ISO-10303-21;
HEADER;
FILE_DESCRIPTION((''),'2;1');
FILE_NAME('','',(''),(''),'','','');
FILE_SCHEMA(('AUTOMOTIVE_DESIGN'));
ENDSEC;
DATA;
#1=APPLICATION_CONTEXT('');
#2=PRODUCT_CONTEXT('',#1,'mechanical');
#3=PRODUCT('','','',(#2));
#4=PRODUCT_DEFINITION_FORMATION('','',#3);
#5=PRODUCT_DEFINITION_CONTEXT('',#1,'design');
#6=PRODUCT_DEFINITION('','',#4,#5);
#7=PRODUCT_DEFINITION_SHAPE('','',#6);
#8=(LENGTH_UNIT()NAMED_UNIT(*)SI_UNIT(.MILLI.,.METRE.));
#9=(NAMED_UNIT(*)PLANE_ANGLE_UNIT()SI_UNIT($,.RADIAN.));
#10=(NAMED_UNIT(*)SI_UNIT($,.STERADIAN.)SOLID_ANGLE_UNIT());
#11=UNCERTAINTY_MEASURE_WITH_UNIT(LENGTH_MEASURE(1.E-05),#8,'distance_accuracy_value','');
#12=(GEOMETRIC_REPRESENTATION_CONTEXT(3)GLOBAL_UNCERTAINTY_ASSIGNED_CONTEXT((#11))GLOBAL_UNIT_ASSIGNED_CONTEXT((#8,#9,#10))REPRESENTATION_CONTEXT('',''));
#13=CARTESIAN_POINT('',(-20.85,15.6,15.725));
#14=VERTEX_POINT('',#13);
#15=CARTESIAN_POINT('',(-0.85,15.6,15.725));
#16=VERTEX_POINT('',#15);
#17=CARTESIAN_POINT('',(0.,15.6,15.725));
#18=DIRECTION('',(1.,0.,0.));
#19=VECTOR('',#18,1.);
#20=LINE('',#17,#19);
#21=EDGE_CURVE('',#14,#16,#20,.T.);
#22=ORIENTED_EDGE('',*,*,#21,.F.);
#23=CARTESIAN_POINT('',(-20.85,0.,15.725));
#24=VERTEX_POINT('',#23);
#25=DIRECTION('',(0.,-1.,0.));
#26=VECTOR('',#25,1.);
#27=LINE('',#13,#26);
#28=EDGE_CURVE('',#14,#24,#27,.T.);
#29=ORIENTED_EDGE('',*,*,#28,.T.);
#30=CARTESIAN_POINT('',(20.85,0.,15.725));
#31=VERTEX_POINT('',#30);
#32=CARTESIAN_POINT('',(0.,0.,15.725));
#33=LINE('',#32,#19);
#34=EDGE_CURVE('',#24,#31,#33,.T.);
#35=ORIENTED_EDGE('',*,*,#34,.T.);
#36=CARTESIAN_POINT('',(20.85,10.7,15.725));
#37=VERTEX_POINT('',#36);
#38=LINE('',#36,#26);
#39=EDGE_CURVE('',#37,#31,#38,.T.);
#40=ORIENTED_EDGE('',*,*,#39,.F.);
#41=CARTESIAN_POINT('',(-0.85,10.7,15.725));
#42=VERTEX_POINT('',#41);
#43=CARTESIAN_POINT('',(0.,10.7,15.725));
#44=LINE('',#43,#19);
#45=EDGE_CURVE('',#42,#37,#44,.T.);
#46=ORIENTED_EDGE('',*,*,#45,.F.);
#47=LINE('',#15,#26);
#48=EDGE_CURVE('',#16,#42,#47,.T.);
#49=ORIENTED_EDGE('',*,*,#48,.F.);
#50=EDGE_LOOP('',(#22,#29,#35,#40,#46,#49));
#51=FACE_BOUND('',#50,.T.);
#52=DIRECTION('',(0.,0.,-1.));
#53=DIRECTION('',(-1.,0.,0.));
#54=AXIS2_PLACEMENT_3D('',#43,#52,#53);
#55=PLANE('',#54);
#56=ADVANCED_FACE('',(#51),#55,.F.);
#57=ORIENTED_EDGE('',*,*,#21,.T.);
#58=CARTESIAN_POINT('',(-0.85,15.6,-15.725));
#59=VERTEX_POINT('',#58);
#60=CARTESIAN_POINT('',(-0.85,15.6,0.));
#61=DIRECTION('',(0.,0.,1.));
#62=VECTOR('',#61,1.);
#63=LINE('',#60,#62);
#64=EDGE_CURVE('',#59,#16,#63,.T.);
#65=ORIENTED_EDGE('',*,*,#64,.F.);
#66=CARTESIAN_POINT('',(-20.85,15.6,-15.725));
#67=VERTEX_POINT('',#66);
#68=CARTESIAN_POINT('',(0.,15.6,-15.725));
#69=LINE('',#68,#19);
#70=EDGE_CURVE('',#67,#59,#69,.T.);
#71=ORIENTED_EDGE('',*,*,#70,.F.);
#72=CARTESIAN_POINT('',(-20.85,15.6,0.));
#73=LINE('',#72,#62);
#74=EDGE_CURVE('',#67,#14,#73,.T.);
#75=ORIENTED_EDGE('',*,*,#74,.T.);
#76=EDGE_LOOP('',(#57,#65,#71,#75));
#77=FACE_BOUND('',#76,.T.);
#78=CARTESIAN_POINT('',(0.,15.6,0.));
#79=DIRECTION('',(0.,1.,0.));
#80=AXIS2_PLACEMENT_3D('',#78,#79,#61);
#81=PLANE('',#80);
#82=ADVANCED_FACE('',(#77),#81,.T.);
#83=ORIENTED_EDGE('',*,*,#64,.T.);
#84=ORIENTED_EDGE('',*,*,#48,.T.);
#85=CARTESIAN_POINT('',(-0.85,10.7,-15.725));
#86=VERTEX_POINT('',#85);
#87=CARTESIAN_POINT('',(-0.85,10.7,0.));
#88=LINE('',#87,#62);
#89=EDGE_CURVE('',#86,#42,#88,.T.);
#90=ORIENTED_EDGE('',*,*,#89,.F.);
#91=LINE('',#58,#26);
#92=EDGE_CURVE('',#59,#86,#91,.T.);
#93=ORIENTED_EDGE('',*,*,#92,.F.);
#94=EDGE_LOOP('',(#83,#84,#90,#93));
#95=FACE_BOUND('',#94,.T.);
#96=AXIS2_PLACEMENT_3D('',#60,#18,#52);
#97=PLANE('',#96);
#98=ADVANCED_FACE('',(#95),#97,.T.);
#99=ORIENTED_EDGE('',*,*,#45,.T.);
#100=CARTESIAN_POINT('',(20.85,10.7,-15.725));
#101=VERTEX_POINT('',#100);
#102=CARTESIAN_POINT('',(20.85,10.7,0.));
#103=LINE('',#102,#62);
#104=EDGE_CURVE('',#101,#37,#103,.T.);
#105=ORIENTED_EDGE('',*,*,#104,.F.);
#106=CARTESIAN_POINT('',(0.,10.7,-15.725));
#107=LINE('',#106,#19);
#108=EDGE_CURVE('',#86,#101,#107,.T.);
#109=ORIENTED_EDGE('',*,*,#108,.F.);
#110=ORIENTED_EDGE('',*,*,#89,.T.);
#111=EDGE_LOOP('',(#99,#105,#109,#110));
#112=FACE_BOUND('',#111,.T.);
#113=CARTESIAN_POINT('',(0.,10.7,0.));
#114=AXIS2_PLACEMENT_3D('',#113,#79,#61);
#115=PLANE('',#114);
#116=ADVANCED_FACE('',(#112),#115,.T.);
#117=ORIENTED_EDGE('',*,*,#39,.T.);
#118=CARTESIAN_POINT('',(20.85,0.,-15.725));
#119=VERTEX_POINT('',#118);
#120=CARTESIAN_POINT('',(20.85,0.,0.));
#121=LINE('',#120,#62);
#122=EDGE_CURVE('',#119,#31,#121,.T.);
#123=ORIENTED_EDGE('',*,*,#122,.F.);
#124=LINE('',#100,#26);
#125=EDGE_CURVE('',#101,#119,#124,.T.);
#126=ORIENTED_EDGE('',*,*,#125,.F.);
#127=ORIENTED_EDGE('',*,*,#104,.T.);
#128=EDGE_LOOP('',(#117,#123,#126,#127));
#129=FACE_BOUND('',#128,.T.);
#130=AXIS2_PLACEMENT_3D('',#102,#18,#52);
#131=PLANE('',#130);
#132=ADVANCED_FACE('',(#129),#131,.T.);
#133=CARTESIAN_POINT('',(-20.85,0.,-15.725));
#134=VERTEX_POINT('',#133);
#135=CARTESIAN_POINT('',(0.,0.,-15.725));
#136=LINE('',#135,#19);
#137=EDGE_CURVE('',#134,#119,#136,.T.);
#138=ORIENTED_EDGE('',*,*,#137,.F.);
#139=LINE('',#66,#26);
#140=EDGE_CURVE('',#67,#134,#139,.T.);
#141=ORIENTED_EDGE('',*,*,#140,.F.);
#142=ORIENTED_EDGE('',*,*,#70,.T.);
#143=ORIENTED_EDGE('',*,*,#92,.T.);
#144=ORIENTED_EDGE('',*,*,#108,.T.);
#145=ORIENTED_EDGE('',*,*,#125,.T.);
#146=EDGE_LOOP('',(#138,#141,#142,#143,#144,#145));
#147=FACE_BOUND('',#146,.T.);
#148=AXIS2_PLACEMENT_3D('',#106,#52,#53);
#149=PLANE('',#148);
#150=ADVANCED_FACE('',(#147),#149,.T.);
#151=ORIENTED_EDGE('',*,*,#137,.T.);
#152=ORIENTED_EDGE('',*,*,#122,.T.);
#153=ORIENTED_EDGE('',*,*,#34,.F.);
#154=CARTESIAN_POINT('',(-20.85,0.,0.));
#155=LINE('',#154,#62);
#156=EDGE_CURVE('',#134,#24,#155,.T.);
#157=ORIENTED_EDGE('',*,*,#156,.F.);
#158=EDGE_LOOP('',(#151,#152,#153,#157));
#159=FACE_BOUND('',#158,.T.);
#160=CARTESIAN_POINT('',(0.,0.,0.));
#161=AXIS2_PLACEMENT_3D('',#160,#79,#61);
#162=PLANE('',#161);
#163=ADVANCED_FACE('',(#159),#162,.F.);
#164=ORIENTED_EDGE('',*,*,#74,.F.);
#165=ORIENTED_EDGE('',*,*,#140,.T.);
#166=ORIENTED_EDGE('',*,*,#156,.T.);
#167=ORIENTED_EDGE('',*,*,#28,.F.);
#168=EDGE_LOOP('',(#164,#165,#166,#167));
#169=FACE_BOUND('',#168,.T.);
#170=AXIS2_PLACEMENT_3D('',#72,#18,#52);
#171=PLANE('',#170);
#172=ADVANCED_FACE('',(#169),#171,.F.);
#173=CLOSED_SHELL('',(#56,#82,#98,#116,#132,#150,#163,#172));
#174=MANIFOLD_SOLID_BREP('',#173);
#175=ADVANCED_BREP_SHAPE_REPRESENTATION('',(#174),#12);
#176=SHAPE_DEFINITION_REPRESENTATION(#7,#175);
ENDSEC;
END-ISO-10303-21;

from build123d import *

# Parameters (mm, degrees)
SKETCH1_W           = 21.7
SKETCH1_H           = 31.45
BOSS_EXTRUDE1_DEPTH = 10.7
SKETCH1_4_W         = 20
SKETCH1_4_H         = 31.45
BOSS_EXTRUDE2_DEPTH = 15.6


with BuildPart() as part:
    # Sketch1 → Boss-Extrude1 (new body)
    with BuildSketch(Plane(origin=(0, 0, 0), x_dir=(1, 0, 0), z_dir=(0, 1, 0))):
        with Locations((10, 0)):
            Rectangle(SKETCH1_W, SKETCH1_H)
    extrude(amount=BOSS_EXTRUDE1_DEPTH)

    # Sketch1<4> → Boss-Extrude2 (add)
    with BuildSketch(Plane(origin=(0, 0, 0), x_dir=(1, 0, 0), z_dir=(0, 1, 0))):
        with Locations((-10.85, 0)):
            Rectangle(SKETCH1_4_W, SKETCH1_4_H)
    extrude(amount=BOSS_EXTRUDE2_DEPTH)


solid = part.part
